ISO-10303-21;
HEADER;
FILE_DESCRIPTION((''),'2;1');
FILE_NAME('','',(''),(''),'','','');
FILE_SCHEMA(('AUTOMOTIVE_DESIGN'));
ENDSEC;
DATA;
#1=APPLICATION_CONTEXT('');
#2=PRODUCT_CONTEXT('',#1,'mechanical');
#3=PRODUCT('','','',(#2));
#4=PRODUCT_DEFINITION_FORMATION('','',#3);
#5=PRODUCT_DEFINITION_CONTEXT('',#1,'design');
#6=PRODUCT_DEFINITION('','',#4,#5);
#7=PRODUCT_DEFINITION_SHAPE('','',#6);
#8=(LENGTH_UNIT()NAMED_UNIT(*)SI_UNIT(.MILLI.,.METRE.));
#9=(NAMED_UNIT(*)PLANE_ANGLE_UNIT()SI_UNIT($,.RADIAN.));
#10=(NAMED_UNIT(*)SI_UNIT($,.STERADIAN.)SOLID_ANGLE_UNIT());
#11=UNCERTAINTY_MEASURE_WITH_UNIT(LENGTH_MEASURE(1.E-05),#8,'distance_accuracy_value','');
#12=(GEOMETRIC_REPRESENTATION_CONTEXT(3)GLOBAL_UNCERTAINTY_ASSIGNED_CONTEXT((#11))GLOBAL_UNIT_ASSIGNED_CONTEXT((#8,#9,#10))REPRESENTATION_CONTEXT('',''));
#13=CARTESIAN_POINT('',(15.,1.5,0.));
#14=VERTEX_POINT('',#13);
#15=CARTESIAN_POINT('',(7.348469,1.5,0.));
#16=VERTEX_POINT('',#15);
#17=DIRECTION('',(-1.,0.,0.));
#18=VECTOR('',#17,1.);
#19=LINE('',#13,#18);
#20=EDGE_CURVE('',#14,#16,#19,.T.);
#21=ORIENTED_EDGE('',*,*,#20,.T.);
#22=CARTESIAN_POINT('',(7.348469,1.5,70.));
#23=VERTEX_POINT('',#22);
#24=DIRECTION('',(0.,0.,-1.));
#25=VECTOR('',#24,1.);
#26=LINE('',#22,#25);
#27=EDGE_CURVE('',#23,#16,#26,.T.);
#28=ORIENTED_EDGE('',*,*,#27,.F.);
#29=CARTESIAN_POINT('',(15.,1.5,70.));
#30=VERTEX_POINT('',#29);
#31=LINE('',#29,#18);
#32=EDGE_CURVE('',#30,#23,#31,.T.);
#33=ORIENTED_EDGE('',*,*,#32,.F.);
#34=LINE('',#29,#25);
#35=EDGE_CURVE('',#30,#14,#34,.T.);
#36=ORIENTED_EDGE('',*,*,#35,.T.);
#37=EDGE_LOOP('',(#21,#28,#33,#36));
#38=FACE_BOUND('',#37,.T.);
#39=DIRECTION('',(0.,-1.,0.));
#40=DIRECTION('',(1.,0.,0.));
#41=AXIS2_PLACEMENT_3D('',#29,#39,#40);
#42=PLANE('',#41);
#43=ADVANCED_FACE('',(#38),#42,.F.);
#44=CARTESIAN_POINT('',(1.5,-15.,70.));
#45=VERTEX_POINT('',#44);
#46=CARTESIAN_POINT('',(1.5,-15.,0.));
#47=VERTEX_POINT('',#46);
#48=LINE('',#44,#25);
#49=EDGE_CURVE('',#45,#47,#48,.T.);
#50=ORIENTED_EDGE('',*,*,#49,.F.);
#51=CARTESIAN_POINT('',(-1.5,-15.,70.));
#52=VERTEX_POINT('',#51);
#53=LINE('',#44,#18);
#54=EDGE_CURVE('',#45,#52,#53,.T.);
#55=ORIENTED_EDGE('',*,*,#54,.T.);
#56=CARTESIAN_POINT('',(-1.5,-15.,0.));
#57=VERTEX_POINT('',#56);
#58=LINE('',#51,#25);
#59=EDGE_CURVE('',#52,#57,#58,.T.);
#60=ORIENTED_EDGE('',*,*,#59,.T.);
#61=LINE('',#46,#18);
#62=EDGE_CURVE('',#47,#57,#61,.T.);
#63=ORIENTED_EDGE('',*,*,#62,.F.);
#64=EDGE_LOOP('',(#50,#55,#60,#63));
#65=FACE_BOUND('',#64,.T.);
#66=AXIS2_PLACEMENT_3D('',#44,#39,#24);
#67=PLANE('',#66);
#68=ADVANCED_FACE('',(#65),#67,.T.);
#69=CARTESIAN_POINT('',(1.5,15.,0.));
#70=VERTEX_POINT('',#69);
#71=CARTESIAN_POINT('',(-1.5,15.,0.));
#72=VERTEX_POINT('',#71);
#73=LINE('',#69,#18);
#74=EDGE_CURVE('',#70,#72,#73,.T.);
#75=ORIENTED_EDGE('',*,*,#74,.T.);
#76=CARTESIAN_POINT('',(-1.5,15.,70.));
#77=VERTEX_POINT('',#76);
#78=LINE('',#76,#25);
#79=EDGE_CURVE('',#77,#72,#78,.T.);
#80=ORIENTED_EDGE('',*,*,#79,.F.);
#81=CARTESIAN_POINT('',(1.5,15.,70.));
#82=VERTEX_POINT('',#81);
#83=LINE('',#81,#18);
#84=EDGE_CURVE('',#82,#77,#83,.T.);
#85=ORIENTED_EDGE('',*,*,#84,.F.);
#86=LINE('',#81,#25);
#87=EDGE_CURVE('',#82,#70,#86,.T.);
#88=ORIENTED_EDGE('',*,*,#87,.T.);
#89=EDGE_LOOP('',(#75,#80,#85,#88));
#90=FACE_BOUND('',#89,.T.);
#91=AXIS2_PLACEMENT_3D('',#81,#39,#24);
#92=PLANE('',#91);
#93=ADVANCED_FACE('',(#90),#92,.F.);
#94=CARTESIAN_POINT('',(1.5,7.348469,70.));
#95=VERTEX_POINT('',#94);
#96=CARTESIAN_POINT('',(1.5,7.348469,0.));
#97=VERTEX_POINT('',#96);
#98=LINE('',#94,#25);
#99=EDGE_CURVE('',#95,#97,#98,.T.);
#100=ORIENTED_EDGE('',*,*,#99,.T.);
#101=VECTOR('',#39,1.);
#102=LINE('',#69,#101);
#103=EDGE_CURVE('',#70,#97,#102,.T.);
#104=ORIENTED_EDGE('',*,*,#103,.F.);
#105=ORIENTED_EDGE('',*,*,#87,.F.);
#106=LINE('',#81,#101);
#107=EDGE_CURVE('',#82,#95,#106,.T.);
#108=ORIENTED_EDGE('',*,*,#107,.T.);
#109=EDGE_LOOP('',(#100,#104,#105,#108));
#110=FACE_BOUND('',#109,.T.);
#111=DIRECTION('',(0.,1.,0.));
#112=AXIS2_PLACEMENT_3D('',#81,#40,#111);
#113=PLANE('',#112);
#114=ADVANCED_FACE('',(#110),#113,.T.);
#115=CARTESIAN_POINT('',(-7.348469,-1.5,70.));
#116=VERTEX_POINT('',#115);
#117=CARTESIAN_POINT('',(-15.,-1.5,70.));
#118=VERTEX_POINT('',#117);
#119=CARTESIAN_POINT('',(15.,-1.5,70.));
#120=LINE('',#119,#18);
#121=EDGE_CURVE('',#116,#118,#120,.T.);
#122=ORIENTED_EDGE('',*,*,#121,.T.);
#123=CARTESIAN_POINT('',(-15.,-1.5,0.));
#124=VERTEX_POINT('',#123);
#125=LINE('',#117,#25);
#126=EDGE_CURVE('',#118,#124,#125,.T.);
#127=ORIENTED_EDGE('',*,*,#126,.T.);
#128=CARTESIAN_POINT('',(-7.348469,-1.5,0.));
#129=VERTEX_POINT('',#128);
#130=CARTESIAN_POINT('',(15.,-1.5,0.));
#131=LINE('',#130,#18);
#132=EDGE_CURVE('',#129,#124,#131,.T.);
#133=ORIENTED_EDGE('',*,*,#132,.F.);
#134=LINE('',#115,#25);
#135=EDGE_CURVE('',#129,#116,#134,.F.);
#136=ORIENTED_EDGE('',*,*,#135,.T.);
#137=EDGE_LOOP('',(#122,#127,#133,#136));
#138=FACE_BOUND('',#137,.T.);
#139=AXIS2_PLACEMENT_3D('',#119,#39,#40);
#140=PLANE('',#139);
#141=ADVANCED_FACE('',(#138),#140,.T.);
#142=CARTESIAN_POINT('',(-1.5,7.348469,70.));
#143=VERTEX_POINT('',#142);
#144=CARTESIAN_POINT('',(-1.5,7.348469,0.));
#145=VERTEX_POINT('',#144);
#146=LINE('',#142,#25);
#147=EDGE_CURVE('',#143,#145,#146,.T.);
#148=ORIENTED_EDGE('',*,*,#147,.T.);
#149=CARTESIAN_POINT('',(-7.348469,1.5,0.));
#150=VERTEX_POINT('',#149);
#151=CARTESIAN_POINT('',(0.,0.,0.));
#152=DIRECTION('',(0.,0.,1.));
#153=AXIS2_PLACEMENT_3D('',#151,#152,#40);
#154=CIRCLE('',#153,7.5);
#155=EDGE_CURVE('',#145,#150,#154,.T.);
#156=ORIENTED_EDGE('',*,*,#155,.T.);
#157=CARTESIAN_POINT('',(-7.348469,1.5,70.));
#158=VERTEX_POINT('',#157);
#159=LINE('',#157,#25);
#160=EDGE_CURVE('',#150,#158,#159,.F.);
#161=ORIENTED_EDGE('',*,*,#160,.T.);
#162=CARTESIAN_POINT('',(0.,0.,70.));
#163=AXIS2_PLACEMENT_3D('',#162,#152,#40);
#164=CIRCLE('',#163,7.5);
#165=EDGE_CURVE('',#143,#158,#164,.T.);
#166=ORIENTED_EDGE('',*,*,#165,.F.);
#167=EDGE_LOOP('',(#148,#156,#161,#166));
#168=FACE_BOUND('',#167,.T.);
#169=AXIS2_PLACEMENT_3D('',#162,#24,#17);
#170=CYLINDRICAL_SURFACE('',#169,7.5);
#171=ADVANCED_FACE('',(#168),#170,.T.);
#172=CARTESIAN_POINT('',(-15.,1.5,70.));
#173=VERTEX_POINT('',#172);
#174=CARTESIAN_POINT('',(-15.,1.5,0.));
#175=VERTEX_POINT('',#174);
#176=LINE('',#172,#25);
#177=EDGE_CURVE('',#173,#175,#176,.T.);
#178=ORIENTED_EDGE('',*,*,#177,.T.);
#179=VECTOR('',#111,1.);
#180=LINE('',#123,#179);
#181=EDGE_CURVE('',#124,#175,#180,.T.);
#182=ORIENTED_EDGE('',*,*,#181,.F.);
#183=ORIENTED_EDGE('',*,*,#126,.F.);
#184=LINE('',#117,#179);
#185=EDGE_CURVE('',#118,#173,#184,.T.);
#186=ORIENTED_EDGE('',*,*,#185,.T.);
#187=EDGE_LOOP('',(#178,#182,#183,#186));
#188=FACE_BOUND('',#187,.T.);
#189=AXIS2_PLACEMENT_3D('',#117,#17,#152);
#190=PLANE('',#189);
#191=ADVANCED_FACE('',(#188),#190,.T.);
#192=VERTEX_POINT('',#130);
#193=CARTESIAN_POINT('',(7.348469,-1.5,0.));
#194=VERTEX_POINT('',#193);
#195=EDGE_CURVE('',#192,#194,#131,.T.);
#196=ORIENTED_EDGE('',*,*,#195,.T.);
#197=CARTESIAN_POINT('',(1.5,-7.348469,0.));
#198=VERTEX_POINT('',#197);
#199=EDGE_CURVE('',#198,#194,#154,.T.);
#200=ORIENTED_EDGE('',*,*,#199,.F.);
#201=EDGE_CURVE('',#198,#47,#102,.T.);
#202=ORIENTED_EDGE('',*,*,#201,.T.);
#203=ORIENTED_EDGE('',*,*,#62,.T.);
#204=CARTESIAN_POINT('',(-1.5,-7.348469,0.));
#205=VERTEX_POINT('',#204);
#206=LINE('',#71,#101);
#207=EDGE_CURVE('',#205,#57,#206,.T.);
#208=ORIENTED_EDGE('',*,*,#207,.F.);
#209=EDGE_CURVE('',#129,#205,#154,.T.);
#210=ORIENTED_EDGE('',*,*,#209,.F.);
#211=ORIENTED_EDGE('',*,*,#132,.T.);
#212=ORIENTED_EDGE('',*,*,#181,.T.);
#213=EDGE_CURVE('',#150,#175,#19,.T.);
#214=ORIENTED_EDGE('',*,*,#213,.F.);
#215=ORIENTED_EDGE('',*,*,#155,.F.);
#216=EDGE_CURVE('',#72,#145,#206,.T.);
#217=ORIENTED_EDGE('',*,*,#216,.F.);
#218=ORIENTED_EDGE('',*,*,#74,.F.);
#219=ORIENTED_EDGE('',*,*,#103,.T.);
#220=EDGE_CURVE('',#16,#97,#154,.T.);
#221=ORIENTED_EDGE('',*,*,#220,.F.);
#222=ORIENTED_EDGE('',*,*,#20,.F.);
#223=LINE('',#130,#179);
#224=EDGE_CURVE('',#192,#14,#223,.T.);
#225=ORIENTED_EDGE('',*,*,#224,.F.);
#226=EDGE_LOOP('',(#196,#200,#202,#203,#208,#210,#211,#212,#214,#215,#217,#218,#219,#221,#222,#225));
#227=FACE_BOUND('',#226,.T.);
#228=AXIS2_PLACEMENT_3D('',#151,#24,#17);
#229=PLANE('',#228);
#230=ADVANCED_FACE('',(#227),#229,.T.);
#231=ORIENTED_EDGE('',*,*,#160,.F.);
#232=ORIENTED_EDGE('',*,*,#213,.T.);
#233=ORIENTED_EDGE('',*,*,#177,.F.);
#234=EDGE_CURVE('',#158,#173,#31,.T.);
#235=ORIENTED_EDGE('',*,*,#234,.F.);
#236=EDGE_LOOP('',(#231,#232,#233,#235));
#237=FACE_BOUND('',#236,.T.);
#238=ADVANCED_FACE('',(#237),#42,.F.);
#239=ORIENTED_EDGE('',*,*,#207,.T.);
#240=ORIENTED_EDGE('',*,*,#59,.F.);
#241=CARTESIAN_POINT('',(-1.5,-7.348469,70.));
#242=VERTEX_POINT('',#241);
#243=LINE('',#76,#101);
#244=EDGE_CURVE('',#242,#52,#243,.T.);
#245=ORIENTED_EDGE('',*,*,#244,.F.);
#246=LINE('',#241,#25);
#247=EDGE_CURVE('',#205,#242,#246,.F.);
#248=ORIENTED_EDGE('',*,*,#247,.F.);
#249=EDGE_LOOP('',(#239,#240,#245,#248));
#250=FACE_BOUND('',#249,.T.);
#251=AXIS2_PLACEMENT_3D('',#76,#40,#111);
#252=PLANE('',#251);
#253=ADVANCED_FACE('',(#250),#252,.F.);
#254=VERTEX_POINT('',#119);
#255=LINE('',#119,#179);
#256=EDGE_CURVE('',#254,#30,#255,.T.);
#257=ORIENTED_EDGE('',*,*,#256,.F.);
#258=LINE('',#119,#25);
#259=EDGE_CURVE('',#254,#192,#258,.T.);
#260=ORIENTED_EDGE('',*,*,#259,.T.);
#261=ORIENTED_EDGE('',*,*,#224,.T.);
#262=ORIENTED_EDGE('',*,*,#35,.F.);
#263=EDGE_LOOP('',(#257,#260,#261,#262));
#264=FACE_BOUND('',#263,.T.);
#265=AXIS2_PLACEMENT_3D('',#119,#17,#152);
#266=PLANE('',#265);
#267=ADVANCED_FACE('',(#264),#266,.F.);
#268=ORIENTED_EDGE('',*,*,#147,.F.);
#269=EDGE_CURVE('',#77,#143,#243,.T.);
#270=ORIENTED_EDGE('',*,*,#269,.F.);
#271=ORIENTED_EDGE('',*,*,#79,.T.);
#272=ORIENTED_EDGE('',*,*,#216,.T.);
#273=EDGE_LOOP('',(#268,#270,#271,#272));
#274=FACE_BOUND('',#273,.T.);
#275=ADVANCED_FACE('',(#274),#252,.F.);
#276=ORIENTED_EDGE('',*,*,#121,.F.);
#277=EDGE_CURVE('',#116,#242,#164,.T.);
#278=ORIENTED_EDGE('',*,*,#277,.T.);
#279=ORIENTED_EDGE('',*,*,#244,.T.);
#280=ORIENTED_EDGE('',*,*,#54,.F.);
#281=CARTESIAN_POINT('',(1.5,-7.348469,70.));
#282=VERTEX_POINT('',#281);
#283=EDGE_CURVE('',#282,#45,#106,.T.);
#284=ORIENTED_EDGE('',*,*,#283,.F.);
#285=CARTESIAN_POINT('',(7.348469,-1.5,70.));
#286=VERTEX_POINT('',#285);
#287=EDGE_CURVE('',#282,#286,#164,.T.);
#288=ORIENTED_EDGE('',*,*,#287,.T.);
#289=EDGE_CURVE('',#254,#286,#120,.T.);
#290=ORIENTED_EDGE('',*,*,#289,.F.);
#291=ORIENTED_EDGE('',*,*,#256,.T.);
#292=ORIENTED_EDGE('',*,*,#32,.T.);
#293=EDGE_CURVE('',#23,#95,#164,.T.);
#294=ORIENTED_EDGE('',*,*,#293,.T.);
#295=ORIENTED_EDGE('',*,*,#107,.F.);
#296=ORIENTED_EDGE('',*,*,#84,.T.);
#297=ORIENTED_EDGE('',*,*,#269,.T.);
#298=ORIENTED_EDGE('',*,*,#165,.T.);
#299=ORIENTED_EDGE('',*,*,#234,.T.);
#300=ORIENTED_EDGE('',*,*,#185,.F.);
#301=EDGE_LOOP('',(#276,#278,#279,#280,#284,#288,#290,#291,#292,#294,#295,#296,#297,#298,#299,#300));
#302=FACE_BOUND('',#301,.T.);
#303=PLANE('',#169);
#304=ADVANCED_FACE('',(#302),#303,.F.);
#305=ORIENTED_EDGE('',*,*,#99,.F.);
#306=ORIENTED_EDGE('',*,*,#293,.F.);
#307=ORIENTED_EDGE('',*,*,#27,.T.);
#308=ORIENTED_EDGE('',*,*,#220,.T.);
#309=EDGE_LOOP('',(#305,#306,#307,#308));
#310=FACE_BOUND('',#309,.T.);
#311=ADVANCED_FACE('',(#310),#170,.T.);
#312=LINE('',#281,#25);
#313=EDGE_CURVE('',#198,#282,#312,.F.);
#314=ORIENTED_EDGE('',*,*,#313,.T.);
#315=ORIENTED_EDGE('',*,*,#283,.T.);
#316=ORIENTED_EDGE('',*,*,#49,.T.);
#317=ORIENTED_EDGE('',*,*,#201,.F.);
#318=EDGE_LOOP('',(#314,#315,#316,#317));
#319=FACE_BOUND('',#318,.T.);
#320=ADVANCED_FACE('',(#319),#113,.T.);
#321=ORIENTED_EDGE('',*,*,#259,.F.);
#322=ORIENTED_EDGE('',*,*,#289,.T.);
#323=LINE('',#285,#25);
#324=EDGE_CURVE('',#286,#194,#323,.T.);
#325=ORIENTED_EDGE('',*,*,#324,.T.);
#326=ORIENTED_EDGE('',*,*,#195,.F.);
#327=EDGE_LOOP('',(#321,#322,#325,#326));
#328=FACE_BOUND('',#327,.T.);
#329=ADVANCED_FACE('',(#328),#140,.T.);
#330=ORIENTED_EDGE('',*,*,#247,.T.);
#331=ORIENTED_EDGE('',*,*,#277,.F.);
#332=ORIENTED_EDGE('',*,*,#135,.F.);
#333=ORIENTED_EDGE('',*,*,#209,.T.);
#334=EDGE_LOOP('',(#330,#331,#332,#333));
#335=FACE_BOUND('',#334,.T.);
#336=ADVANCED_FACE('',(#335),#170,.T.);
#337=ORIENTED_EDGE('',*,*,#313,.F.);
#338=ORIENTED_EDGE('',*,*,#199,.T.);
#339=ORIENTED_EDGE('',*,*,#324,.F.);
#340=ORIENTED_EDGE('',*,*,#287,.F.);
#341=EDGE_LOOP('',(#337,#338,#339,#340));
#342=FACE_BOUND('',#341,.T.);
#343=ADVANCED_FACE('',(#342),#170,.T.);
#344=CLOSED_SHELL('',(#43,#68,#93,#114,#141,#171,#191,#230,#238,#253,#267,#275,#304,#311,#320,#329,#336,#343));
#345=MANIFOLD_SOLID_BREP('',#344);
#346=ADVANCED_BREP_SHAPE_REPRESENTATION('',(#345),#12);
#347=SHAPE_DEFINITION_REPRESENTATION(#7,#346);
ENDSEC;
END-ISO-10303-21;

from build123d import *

# Parameters (mm, degrees)
SKETCH1_R           = 7.5
SKETCH1_W           = 30
SKETCH1_H           = 3
SKETCH1_W_2         = 3
SKETCH1_H_2         = 30
BOSS_EXTRUDE2_DEPTH = 70


with BuildPart() as part:
    # Sketch1 → Boss-Extrude2 (new body)
    with BuildSketch(Plane.XY):
        Circle(SKETCH1_R)
        Rectangle(SKETCH1_W, SKETCH1_H)
        Rectangle(SKETCH1_W_2, SKETCH1_H_2)
    extrude(amount=BOSS_EXTRUDE2_DEPTH)


solid = part.part
